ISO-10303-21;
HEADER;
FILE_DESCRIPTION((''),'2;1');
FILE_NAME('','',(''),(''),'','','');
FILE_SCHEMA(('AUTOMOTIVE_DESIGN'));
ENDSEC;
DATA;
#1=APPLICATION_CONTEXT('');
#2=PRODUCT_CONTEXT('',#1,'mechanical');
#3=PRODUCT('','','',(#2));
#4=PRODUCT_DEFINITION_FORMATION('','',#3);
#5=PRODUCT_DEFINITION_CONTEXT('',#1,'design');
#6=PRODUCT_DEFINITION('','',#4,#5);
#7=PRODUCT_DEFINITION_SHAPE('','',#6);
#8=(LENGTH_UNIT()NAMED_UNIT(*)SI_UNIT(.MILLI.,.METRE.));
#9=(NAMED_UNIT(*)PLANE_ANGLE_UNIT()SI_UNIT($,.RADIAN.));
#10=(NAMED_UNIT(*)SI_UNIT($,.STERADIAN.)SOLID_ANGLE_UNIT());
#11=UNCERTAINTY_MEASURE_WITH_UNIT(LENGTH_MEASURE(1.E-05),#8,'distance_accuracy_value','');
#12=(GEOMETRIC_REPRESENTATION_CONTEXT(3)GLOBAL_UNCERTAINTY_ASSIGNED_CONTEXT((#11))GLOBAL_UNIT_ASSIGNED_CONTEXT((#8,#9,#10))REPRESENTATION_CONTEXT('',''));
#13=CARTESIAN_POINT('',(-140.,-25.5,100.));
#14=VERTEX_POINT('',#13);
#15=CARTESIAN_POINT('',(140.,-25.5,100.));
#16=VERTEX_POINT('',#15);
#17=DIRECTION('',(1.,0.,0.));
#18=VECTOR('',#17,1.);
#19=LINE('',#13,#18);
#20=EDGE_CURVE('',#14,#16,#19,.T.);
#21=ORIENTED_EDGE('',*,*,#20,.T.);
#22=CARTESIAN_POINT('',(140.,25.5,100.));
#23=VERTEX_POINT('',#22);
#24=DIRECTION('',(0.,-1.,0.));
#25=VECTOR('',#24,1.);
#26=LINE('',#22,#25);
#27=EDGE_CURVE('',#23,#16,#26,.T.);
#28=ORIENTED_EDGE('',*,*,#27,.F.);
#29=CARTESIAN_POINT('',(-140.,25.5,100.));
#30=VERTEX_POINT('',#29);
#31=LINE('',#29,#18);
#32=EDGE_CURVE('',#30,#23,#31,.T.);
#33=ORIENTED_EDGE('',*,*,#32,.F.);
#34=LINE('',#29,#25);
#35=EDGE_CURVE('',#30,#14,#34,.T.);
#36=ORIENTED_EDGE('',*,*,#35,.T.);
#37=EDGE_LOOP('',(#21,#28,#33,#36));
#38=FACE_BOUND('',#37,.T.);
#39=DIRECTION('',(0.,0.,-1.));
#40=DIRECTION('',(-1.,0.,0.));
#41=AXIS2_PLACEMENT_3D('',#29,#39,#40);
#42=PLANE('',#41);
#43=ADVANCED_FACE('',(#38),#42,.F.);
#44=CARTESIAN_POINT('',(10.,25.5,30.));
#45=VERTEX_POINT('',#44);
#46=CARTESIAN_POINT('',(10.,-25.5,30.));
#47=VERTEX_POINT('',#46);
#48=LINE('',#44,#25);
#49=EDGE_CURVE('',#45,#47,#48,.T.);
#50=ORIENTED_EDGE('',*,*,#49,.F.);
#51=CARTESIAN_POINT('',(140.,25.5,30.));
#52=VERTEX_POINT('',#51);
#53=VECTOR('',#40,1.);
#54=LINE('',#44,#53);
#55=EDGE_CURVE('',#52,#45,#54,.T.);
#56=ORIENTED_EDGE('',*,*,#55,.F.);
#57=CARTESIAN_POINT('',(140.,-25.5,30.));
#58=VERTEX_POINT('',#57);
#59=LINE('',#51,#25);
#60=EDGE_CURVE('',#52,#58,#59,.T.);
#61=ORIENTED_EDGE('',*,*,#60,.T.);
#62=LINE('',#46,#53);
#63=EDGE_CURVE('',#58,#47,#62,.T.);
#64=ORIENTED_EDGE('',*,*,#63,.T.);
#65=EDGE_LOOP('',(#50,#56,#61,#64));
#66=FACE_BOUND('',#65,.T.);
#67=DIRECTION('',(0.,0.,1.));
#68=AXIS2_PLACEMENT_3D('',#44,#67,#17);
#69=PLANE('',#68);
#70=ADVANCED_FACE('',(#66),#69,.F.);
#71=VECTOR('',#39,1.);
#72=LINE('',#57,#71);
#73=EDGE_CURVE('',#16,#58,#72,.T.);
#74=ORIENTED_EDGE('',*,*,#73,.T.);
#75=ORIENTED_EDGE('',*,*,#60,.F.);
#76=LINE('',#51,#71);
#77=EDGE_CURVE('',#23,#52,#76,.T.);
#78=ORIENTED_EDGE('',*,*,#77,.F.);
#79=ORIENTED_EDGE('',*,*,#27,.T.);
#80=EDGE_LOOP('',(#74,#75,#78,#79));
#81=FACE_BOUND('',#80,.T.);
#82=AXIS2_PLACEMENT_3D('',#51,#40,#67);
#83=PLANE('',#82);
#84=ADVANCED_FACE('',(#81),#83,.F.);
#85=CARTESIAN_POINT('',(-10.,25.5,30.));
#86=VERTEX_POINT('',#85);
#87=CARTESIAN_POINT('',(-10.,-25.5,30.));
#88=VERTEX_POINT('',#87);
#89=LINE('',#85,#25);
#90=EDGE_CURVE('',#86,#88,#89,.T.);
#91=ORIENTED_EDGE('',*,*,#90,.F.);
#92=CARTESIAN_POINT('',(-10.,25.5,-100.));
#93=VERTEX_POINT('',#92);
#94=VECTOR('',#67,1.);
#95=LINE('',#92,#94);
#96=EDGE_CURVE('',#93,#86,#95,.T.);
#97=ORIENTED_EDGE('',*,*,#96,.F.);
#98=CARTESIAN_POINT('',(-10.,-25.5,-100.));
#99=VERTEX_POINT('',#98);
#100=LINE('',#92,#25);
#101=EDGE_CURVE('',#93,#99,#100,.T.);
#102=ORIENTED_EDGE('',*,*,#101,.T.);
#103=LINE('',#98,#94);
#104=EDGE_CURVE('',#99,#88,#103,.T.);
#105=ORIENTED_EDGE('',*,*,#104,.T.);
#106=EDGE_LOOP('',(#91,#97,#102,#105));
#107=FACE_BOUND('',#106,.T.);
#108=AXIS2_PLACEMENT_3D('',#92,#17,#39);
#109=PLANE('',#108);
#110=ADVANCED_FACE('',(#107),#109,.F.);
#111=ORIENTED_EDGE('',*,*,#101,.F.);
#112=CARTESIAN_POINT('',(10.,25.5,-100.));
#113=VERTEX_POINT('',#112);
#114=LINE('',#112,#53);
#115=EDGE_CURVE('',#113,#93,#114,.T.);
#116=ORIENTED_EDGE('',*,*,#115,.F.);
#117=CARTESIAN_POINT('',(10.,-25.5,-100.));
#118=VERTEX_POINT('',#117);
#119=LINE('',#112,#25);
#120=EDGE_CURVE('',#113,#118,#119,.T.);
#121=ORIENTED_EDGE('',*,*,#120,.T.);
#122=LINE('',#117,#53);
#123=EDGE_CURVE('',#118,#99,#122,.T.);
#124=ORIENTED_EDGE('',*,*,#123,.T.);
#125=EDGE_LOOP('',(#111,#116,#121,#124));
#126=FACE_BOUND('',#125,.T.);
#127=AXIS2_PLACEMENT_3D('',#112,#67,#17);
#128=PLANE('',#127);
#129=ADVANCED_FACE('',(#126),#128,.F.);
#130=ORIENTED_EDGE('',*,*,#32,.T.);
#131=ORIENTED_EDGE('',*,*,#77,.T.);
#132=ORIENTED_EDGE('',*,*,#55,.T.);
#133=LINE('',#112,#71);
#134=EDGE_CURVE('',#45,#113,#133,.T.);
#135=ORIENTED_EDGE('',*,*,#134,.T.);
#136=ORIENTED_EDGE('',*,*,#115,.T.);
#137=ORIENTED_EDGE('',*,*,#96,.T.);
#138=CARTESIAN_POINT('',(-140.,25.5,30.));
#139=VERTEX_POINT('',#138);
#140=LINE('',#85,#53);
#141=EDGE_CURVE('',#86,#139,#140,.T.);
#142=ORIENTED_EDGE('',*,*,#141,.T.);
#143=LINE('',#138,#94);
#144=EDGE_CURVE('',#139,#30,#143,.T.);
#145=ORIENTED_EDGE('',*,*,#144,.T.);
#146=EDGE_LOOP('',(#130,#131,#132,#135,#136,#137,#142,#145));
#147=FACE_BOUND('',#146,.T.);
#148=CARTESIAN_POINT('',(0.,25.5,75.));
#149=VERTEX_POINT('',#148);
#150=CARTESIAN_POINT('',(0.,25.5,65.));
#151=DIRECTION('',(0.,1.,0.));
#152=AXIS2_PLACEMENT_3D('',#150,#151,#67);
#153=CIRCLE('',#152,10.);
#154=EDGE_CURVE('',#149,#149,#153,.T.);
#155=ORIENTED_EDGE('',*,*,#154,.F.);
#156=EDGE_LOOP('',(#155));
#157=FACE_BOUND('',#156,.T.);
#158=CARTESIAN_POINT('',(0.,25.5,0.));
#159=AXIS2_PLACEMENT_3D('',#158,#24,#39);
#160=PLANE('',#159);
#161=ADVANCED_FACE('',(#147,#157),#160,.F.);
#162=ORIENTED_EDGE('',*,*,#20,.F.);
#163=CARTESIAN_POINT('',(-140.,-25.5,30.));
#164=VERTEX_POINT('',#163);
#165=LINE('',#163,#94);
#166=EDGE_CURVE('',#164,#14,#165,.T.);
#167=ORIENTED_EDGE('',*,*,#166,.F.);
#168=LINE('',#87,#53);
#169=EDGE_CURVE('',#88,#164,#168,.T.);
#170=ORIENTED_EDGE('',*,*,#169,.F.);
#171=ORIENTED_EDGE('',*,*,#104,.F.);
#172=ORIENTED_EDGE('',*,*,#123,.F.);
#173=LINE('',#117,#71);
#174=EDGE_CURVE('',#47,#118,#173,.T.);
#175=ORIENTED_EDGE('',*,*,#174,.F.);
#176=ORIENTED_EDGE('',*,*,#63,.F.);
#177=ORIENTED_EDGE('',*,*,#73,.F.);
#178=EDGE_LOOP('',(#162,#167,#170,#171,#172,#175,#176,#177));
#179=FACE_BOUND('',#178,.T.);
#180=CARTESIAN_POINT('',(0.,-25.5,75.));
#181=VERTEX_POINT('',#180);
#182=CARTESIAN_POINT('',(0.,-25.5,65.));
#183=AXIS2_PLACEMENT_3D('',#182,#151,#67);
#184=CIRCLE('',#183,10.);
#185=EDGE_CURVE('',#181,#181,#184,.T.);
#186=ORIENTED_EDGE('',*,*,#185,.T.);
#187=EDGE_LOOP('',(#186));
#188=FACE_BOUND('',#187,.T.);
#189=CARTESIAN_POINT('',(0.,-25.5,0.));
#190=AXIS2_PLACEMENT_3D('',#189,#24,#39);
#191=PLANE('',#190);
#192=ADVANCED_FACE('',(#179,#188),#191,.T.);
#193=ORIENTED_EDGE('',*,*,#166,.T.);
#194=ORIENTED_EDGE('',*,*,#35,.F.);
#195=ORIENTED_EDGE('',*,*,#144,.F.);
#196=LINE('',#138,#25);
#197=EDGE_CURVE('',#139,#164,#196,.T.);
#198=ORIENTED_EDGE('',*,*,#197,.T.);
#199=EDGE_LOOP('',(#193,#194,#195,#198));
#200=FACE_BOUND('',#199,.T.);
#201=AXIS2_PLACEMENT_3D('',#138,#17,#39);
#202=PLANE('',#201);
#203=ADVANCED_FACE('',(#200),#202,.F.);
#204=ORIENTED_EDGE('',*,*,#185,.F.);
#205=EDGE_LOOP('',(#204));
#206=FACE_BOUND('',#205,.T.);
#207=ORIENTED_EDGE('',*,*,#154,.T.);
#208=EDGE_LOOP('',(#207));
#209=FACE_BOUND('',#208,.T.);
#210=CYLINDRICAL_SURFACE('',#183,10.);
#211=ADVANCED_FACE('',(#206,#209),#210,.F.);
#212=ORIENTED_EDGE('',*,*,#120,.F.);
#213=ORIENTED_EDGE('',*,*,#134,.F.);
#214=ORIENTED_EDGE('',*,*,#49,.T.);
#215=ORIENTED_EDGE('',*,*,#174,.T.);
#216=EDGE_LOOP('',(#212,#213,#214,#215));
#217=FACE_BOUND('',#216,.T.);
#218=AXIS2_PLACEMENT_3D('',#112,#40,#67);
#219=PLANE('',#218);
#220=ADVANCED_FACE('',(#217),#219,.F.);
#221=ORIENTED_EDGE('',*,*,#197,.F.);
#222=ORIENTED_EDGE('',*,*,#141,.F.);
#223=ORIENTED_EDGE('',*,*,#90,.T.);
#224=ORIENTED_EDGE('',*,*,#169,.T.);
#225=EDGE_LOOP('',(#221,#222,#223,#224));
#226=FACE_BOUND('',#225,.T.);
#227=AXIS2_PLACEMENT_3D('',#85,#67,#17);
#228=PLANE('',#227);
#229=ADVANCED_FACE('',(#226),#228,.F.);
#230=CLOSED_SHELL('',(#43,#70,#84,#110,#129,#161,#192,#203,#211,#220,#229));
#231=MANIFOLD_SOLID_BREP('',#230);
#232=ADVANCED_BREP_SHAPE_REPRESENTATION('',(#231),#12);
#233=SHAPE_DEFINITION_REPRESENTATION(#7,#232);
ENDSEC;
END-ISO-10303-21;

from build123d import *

# Parameters (mm, degrees)
EXTRUDE_1_DEPTH          = 25.5
CUT_EXTRUDE_1_DEPTH      = 174.925990007
CUT_EXTRUDE_1_DEPTH_BACK = 174.925990007
SKETCH_2_R               = 10


with BuildPart() as part:
    # Эскиз1 → Бобышка-Вытянуть1 (new, symmetric)
    with BuildSketch(Plane(origin=(0, 0, 0), x_dir=(1, 0, 0), z_dir=(0, 1, 0))):
        Polygon((10, 100), (-10, 100), (-10, -30), (-140, -30), (-140, -100), (140, -100), (140, -30), (10, -30), align=None)
    extrude(amount=EXTRUDE_1_DEPTH, both=True)

    # Эскиз2 → Вырез-Вытянуть1 (cut, two sides: drawn at the far end of the back side and taken through both)
    with BuildSketch(Plane(origin=(0, 0, 0), x_dir=(1, 0, 0), z_dir=(0, 1, 0)).offset(-CUT_EXTRUDE_1_DEPTH_BACK)):
        with Locations(Location((0, -65, 0), (0, 0, 270))):
            Circle(SKETCH_2_R)
    extrude(amount=CUT_EXTRUDE_1_DEPTH + CUT_EXTRUDE_1_DEPTH_BACK, mode=Mode.SUBTRACT)


solid = part.part
